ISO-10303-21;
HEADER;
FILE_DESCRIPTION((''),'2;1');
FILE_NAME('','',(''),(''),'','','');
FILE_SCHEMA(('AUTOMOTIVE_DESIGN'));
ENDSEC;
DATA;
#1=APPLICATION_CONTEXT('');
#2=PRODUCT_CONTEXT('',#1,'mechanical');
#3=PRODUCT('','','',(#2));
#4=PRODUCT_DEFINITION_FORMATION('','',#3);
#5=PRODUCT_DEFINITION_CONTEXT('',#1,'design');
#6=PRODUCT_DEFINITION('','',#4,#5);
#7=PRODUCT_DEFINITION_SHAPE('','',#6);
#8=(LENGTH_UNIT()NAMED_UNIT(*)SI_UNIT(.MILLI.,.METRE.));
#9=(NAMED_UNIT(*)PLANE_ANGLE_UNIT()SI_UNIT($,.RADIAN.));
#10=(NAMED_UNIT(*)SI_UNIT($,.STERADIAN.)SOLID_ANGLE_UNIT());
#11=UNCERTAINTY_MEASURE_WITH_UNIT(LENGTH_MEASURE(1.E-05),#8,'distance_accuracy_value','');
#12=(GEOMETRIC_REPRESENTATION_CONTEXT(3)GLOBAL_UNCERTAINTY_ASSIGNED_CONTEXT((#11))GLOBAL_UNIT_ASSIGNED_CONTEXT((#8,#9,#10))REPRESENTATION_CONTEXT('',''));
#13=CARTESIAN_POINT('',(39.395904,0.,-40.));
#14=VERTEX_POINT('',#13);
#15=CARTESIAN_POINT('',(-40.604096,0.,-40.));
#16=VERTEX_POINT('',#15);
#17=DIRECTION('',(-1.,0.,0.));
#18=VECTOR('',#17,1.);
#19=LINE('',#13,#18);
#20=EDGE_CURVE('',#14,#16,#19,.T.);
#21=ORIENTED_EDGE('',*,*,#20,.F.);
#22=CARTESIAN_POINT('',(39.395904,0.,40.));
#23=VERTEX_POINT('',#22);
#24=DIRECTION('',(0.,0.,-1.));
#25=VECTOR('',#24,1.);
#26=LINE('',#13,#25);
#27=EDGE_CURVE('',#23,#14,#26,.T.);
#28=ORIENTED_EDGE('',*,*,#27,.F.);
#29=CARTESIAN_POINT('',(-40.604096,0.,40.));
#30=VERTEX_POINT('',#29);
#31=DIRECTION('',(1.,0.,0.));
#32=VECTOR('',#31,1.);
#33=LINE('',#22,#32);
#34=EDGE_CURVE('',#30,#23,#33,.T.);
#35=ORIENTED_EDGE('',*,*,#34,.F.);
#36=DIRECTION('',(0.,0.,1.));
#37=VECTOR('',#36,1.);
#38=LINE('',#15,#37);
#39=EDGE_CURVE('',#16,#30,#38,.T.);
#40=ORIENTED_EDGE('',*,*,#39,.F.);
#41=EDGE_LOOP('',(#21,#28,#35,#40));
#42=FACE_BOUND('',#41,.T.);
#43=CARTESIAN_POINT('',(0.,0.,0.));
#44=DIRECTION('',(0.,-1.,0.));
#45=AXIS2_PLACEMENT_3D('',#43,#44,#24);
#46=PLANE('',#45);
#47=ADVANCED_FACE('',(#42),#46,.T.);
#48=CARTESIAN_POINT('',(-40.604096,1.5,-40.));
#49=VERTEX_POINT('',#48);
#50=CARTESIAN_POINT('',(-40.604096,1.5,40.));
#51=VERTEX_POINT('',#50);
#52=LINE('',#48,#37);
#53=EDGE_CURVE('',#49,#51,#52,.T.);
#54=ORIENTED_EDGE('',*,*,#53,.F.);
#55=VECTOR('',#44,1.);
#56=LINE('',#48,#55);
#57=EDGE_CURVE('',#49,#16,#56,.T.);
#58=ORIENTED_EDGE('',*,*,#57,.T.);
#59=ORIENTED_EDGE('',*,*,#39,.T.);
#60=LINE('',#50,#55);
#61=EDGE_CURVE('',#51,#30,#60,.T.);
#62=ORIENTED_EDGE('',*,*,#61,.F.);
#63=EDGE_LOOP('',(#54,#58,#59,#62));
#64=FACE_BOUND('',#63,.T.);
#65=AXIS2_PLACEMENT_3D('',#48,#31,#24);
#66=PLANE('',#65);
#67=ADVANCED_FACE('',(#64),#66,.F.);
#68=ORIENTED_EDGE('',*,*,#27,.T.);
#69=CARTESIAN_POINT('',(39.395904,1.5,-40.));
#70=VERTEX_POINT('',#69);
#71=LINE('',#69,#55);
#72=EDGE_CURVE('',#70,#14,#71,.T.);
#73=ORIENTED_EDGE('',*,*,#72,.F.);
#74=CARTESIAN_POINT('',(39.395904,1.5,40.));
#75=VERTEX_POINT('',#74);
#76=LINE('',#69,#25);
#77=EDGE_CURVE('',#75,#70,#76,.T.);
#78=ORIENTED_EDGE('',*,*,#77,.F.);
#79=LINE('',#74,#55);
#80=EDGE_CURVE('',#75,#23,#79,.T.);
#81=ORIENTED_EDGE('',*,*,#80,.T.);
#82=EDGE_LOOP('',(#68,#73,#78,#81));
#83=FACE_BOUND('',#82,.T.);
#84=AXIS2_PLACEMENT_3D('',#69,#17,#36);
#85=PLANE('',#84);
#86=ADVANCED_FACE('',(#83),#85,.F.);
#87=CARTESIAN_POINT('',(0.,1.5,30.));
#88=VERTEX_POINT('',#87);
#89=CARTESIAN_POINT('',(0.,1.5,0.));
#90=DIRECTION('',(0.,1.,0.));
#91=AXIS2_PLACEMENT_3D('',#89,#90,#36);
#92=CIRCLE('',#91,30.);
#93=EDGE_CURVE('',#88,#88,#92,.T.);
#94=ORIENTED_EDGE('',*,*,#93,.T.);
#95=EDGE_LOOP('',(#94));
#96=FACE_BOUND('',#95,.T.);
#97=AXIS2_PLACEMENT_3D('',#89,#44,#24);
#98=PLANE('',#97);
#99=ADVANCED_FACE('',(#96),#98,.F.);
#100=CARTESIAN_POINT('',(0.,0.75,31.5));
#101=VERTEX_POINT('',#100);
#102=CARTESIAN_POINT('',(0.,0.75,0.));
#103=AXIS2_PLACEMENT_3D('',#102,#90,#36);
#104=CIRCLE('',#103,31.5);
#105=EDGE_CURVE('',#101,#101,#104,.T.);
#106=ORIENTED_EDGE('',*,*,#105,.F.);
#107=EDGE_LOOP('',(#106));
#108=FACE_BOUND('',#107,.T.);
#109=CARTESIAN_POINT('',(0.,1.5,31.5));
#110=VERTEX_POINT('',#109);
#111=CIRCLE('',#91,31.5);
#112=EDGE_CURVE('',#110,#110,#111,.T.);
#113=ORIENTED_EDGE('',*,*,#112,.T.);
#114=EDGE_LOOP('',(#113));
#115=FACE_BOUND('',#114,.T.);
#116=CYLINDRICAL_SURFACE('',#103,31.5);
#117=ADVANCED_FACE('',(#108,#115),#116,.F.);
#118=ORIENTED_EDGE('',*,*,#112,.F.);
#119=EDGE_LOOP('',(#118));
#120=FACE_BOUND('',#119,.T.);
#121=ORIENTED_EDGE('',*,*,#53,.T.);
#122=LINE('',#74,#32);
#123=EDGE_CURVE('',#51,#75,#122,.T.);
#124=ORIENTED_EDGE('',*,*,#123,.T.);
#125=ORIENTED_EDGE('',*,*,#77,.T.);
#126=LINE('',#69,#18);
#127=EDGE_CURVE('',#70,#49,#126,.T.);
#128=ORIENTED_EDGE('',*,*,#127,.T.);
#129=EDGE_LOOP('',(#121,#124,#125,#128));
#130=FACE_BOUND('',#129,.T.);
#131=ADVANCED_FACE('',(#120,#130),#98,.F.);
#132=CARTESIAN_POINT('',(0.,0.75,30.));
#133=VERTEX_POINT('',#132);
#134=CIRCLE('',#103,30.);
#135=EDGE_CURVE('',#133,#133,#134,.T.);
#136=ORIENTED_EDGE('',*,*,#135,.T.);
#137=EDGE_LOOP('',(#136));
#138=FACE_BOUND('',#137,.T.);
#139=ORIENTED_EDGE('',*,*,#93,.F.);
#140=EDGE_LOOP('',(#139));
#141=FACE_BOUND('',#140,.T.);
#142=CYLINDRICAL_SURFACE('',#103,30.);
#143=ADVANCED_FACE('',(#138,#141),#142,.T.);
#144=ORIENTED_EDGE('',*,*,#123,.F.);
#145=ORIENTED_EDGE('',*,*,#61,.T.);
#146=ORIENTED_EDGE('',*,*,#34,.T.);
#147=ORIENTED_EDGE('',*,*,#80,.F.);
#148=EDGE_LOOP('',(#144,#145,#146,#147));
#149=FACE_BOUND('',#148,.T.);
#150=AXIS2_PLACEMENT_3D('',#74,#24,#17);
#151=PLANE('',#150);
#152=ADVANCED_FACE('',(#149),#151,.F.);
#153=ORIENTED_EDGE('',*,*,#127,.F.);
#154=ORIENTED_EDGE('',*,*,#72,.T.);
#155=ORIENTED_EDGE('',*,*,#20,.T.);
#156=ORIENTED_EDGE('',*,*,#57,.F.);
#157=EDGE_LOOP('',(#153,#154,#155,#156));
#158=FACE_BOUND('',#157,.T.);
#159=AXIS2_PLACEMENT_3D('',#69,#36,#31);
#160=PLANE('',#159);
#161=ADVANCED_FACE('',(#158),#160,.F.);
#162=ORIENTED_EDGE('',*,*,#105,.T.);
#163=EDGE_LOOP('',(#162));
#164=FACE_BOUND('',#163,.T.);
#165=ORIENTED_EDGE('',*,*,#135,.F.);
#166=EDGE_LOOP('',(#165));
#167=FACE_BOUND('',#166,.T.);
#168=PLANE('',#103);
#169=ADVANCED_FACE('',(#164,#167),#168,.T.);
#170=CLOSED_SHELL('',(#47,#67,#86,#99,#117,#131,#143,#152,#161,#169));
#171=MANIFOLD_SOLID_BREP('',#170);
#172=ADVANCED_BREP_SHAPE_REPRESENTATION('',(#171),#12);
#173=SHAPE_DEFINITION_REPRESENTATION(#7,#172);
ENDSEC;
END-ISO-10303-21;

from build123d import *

# Parameters (mm, degrees)
SKETCH1_W           = 80
SKETCH1_H           = 80
BOSS_EXTRUDE2_DEPTH = 1.5
SKETCH2_R           = 31.5
SKETCH2_R_2         = 30
CUT_EXTRUDE2_DEPTH  = 0.75


with BuildPart() as part:
    # Sketch1 → Boss-Extrude2 (new body)
    with BuildSketch(Plane(origin=(0, 0, 0), x_dir=(1, 0, 0), z_dir=(0, 1, 0))):
        with Locations((-0.604095773, 0)):
            Rectangle(SKETCH1_W, SKETCH1_H)
    extrude(amount=BOSS_EXTRUDE2_DEPTH)

    # Sketch2 → Cut-Extrude2 (cut)
    with BuildSketch(Plane(origin=(0, 1.5, 0), x_dir=(1, 0, 0), z_dir=(0, 1, 0))):
        with Locations(Location((0, 0, 0), (0, 0, 270))):
            Circle(SKETCH2_R)
        with Locations(Location((0, 0, 0), (0, 0, 270))):
            Circle(SKETCH2_R_2, mode=Mode.SUBTRACT)
    extrude(amount=-CUT_EXTRUDE2_DEPTH, mode=Mode.SUBTRACT)


solid = part.part
